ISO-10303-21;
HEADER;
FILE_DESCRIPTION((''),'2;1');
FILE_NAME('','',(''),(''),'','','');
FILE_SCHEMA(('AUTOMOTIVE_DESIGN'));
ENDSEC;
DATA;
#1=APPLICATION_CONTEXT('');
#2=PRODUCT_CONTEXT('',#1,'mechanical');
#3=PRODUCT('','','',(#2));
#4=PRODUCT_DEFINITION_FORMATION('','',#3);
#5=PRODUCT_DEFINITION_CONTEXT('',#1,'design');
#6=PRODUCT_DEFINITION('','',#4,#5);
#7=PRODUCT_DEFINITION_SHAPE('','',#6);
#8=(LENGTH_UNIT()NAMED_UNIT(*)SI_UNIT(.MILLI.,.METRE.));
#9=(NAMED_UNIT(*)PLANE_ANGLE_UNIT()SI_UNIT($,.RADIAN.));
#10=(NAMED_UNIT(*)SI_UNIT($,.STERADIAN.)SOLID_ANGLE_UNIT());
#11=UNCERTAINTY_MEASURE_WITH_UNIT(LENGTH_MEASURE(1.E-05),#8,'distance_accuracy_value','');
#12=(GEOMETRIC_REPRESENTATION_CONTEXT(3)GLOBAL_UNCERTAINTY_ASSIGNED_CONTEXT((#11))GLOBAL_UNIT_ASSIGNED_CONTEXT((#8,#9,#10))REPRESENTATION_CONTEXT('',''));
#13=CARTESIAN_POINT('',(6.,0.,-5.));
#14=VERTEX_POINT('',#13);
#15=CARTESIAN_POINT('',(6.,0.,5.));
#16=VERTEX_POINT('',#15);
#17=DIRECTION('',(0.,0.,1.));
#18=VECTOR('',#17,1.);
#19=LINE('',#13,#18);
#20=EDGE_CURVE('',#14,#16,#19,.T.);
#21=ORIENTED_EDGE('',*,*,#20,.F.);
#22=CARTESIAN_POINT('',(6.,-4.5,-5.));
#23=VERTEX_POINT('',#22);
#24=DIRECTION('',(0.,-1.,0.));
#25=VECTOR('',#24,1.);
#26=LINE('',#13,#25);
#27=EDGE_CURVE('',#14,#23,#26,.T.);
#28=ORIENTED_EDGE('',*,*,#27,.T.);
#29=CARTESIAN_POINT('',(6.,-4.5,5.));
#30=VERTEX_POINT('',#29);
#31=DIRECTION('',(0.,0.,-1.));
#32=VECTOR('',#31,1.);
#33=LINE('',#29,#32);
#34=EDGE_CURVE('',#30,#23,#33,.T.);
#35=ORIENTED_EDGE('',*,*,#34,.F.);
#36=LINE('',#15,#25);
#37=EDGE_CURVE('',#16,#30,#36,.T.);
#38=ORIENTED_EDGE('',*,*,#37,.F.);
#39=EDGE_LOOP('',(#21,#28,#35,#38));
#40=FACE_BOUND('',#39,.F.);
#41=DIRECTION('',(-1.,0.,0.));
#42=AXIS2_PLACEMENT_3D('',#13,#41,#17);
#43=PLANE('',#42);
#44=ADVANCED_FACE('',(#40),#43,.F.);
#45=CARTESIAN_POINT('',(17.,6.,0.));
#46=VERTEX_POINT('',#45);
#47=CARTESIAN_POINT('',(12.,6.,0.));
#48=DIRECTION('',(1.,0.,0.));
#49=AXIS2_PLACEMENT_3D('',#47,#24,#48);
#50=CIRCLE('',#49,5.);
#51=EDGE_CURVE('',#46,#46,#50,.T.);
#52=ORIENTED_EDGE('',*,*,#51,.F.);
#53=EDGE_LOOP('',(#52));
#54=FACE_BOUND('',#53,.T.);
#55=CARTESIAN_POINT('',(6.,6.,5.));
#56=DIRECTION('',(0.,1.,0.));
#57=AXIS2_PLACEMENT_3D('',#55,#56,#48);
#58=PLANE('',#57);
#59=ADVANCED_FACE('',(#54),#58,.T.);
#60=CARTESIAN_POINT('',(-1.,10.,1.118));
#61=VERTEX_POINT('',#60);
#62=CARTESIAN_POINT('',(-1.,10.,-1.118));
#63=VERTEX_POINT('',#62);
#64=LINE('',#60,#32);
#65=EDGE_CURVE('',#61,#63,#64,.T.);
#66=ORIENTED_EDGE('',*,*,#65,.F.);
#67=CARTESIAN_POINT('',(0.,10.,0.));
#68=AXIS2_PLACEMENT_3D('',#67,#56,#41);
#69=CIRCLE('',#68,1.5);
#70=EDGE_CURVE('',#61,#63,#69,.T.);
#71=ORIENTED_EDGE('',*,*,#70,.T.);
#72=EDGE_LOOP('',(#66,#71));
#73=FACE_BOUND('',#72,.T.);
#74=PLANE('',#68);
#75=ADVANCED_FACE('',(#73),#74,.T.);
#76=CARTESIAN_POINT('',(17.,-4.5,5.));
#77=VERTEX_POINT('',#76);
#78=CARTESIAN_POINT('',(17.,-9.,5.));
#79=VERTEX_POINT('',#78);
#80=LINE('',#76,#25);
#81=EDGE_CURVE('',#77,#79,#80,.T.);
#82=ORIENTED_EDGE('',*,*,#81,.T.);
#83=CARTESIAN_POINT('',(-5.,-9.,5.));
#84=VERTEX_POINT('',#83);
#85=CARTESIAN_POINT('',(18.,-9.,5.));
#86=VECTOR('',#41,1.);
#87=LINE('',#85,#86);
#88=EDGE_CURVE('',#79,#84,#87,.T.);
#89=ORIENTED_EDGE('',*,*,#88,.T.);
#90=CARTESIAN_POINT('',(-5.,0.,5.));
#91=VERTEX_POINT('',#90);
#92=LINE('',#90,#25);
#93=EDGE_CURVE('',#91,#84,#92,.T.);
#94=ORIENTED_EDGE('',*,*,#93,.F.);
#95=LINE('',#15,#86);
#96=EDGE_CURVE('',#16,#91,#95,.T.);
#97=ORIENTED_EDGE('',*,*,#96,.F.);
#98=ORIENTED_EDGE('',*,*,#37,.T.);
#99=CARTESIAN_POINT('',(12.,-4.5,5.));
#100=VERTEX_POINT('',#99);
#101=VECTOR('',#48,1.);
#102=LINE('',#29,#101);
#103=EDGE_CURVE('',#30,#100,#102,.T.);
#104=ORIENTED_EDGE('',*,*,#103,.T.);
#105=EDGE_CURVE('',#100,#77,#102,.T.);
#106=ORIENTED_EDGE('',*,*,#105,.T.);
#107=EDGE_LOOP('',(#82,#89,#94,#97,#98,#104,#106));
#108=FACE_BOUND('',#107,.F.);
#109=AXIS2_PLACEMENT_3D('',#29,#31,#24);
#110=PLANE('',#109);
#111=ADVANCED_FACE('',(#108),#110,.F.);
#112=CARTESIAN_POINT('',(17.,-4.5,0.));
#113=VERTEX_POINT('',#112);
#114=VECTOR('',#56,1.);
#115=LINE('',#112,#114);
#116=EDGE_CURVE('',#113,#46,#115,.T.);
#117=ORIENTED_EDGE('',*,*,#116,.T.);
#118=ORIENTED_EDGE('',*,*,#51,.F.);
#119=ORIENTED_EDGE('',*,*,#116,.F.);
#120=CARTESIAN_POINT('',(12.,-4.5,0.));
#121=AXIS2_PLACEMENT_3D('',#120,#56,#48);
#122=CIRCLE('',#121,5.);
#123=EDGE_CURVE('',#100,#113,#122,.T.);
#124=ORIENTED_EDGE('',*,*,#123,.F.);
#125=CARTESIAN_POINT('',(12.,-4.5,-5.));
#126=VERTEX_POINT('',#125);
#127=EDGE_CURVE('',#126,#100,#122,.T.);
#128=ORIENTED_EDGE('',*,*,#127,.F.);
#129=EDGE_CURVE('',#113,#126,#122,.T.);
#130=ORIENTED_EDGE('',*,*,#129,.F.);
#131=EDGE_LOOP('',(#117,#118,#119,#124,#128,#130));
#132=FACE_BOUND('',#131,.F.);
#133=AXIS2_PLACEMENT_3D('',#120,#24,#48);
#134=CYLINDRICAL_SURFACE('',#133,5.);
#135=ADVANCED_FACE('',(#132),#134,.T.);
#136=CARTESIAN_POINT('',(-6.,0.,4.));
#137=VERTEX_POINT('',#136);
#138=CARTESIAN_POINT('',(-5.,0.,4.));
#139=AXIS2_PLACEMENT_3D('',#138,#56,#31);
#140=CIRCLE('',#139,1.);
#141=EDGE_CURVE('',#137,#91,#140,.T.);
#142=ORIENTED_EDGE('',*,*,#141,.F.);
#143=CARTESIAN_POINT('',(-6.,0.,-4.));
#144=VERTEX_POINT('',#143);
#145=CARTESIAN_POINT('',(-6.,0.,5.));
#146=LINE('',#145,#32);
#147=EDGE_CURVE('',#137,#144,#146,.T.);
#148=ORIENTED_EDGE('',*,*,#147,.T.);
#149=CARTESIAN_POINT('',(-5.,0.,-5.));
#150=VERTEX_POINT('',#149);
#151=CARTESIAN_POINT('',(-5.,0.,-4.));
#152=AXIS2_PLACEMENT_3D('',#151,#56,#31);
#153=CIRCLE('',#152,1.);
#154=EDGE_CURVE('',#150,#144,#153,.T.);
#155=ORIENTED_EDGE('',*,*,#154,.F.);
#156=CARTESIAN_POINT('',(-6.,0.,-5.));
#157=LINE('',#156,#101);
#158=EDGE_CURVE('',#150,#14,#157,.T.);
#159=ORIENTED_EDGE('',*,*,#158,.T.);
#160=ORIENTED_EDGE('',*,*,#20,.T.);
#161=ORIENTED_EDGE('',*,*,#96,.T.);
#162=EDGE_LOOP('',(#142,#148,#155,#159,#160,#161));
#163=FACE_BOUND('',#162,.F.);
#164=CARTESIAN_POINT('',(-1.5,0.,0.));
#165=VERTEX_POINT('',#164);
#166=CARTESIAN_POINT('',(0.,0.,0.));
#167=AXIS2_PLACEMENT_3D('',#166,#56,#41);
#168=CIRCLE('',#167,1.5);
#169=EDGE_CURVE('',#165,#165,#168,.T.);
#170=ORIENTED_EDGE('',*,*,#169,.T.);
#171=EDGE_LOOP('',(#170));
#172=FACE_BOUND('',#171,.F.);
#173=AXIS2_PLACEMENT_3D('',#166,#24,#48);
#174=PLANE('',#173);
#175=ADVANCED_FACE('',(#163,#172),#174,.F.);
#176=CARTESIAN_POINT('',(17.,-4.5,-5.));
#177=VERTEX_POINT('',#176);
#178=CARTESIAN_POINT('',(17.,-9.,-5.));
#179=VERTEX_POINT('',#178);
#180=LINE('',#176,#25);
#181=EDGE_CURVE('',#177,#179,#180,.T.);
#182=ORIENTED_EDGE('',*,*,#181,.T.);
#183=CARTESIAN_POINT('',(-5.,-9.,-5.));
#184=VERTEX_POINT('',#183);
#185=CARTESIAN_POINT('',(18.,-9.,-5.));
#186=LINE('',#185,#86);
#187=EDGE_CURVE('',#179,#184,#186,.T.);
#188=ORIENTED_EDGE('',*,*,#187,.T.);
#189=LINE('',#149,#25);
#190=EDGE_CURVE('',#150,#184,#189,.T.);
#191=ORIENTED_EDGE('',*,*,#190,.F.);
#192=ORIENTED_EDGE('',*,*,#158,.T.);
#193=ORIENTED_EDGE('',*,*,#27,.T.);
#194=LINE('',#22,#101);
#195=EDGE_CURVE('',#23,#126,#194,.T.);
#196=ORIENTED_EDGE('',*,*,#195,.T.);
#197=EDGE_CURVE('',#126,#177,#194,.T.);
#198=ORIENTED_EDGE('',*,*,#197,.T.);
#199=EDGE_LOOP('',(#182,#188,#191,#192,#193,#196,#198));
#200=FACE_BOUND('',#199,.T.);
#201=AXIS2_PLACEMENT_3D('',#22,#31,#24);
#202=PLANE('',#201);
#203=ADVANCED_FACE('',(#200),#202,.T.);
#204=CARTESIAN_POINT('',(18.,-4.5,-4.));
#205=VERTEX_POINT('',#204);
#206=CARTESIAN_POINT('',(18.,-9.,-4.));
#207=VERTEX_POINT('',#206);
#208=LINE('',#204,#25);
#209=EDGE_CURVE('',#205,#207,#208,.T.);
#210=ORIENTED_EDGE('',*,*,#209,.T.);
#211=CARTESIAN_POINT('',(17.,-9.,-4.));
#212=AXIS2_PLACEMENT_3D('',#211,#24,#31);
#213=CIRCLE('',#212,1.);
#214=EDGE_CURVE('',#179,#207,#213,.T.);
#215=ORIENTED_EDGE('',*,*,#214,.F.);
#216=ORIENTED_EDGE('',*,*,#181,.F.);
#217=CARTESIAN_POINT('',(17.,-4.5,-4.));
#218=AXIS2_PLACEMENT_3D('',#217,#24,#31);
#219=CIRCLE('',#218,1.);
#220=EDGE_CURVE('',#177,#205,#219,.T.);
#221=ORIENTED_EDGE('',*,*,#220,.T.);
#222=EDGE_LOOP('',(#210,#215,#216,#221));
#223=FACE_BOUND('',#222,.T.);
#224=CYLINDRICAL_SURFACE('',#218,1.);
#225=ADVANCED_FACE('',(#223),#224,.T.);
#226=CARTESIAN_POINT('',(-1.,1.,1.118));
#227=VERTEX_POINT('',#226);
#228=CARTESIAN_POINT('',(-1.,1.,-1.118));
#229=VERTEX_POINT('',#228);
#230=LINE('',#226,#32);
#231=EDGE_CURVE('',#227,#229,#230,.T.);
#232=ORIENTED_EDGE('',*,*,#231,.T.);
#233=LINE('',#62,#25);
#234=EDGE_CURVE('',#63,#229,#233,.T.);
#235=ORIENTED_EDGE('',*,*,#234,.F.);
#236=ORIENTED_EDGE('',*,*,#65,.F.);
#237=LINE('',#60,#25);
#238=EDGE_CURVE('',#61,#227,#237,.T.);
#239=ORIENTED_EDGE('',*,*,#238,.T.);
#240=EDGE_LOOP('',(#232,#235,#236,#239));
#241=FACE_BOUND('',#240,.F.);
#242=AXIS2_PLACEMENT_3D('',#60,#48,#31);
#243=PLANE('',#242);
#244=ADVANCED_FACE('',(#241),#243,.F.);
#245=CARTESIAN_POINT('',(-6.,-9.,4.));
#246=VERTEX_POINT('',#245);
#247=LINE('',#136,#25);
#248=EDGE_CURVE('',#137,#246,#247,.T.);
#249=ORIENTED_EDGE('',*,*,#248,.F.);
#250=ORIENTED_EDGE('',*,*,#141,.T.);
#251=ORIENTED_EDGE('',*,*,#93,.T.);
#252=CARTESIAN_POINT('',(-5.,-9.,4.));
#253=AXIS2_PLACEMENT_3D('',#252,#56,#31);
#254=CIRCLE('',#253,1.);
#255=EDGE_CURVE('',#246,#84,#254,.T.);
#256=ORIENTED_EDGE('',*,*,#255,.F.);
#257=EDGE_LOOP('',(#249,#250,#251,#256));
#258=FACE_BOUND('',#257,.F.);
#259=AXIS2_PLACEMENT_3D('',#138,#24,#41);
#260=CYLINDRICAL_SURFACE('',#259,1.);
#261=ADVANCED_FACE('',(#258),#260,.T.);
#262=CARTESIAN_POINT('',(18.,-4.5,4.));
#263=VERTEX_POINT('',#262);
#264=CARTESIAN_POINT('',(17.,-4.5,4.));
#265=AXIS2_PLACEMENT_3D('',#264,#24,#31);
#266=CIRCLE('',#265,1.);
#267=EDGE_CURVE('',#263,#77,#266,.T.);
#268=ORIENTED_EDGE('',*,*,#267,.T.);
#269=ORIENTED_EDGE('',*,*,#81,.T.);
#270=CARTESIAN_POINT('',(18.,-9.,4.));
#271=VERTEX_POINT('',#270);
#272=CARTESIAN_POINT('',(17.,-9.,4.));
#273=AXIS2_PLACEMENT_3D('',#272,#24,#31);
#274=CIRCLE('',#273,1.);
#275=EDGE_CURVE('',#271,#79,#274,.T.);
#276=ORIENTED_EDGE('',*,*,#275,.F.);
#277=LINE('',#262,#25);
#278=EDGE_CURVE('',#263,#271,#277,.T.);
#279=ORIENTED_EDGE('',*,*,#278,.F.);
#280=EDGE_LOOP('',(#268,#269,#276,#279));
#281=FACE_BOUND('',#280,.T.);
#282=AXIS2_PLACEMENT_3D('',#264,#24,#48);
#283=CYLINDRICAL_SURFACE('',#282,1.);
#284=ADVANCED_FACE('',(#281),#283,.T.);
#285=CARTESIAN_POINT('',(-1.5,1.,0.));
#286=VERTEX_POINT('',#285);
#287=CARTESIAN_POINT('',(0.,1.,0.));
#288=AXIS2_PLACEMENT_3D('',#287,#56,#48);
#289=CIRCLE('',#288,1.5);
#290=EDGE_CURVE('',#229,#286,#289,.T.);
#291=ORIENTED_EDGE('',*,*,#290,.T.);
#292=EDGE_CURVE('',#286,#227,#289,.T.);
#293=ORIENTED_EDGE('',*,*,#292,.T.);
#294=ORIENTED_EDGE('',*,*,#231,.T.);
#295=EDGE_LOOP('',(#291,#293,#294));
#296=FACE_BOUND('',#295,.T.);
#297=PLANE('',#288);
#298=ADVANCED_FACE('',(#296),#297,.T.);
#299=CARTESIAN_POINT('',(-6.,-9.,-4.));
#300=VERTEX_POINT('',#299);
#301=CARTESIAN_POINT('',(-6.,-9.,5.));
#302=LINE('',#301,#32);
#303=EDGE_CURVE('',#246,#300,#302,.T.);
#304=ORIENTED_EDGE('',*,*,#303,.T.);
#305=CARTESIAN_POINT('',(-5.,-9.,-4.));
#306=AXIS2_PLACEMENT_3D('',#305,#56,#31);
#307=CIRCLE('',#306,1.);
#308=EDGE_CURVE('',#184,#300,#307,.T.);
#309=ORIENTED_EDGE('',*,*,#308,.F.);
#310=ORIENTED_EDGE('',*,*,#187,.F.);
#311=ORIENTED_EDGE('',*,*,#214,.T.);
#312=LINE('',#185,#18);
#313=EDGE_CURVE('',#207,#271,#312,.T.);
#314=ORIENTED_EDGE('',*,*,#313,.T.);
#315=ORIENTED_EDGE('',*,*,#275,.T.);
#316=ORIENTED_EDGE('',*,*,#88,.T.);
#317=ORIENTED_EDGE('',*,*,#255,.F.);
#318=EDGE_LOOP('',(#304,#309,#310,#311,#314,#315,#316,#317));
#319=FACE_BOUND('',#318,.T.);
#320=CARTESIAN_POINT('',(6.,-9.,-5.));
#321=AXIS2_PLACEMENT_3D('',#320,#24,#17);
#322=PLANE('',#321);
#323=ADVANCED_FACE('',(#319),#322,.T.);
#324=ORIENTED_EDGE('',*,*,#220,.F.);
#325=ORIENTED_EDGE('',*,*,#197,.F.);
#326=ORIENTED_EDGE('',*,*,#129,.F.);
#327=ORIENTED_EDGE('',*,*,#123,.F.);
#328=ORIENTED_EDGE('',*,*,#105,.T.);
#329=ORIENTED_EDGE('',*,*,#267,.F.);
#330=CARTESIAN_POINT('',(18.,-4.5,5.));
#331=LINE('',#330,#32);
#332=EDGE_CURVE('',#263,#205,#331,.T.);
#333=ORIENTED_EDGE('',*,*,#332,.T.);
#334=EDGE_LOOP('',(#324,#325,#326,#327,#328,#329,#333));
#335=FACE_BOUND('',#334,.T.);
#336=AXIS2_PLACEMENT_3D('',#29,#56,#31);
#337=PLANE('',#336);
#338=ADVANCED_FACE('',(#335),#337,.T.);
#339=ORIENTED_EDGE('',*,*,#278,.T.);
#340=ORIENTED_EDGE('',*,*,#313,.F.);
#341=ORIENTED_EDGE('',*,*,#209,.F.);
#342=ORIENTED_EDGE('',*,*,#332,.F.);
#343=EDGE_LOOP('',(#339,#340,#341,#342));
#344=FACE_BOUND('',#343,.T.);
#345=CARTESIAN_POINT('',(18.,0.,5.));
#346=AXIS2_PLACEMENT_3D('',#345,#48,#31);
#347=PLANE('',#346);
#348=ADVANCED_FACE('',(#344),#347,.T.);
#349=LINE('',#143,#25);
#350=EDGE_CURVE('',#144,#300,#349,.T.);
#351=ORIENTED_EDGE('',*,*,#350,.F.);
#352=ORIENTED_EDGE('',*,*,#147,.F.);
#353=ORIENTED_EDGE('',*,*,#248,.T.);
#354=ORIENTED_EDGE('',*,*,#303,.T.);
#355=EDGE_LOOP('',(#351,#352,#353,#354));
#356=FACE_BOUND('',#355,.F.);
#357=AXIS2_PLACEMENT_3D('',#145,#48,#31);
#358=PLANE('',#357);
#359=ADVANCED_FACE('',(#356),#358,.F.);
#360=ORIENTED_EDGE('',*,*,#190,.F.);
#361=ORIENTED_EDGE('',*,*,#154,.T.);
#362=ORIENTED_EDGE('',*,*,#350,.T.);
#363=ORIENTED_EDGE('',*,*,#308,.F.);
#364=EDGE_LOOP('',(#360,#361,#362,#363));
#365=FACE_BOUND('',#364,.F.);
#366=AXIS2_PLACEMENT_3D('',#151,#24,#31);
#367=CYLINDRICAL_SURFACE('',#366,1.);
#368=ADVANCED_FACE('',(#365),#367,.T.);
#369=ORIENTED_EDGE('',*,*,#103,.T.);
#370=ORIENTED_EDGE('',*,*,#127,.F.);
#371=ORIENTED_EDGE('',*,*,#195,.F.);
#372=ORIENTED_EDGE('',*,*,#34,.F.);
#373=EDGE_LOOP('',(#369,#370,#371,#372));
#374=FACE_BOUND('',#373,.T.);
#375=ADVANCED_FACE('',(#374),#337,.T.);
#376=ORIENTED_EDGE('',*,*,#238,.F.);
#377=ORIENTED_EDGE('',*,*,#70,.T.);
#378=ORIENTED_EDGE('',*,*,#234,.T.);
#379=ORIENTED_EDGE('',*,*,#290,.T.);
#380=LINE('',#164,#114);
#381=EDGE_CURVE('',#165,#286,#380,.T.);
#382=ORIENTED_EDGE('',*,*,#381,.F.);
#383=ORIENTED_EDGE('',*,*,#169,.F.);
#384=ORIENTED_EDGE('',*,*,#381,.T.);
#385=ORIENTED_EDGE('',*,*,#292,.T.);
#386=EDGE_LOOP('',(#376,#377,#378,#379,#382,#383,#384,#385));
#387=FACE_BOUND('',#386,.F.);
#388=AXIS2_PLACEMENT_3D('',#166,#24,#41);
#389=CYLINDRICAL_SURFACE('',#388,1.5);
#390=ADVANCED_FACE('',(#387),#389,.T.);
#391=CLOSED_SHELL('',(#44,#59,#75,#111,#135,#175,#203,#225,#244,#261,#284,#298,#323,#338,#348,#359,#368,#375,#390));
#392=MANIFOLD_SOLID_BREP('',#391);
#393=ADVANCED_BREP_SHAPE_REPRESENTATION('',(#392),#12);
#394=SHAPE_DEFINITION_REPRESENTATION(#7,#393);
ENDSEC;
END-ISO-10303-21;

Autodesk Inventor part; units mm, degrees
ref_plane "YZ Plane" through (0, 0, 0) normal (1, 0, 0) x (0, 1, 0)
ref_plane "XZ Plane" through (0, 0, 0) normal (0, 1, 0) x (-1, 0, 0)
ref_plane "XY Plane" through (0, 0, 0) normal (0, 0, 1) x (1, 0, 0)
sketch "Sketch1" plane through (0, 0, 0) normal (0, 1, 0) x (-1, 0, 0)
  circle A0 centre (0, 0) radius 1.5
  dimension "d0" = 3
extrude "Extrusion1" add sketch "Sketch1" along normal blind 10
sketch "Sketch2" plane through (0, 0, 0) normal (0, -1, 0) x (1, 0, 0)
  line L0 (6, 5) -> (-6, 5)
  line L1 (-6, 5) -> (-6, -5)
  line L2 (-6, -5) -> (6, -5)
  line L3 (6, -5) -> (6, 5)
  line L4 (6, 5) -> (-6, -5) construction
  line L5 (-6, 5) -> (6, -5) construction
  point P0 (0, 0)
  point P1 (0, 0)
  point P2 (0, 0)
  point P3 (0, 0)
  dimension "d3" = 10
  dimension "d4" = 12
extrude "Extrusion2" add sketch "Sketch2" along normal blind 9
sketch "Sketch3" plane through (6, 0, 5) normal (1, 0, 0) x (0, 0, -1)
  line L0 (10, 0) -> (0, 0) projected
  line L1 (0, 0) -> (0, -9) projected
  line L2 (10, -9) -> (0, -9) projected
  line L3 (10, 0) -> (10, -9) projected
  line L4 (0, 0) -> (0, -9) projected
  line L5 (0, -4.5) -> (10, -4.5)
  line L6 (10, 0) -> (10, -9) projected
  point P0 (5, 0)
  point P1 (0, -4.5)
extrude "Extrusion3" add sketch "Sketch3" along normal blind 12 contours L3 L2 L1 L5
sketch "Sketch4" plane through (6, -4.5, 5) normal (0, 1, 0) x (1, 0, 0)
  line L0 (0, 0) -> (0, 10) projected
  line L1 (0, 0) -> (12, 0) projected
  line L2 (12, 10) -> (12, 0) projected
  line L3 (0, 10) -> (12, 10) projected
  circle A0 centre (6, 5) radius 5
  point P0 (-6, 5)
  point P1 (12, 5)
  point P2 (6, 0)
  dimension "d9" = 10
extrude "Extrusion4" add sketch "Sketch4" along normal blind 10.5 contours A0
fillet "Fillet1" radius 1 4 edges at (-6, -4.5, 5) (18, -6.75, 5) (18, -6.75, -5) (-6, -4.5, -5)
sketch "Sketch5" plane through (0, 10, 0) normal (0, 1, 0) x (1, 0, 0)
  circle A0 centre (0, 0) radius 1.5 projected
  line L0 (-1, -1.118) -> (-1, 1.118)
  circle A1 centre (0, 0) radius 1.5 projected
  dimension "d13" = 0.5
extrude "Extrusion5" cut sketch "Sketch5" against normal blind 9 contours L0 A0 picked at (-1.1631, -0.0599)
properties part number "GM1024BY10" material "Bronze, Soft Tin"
